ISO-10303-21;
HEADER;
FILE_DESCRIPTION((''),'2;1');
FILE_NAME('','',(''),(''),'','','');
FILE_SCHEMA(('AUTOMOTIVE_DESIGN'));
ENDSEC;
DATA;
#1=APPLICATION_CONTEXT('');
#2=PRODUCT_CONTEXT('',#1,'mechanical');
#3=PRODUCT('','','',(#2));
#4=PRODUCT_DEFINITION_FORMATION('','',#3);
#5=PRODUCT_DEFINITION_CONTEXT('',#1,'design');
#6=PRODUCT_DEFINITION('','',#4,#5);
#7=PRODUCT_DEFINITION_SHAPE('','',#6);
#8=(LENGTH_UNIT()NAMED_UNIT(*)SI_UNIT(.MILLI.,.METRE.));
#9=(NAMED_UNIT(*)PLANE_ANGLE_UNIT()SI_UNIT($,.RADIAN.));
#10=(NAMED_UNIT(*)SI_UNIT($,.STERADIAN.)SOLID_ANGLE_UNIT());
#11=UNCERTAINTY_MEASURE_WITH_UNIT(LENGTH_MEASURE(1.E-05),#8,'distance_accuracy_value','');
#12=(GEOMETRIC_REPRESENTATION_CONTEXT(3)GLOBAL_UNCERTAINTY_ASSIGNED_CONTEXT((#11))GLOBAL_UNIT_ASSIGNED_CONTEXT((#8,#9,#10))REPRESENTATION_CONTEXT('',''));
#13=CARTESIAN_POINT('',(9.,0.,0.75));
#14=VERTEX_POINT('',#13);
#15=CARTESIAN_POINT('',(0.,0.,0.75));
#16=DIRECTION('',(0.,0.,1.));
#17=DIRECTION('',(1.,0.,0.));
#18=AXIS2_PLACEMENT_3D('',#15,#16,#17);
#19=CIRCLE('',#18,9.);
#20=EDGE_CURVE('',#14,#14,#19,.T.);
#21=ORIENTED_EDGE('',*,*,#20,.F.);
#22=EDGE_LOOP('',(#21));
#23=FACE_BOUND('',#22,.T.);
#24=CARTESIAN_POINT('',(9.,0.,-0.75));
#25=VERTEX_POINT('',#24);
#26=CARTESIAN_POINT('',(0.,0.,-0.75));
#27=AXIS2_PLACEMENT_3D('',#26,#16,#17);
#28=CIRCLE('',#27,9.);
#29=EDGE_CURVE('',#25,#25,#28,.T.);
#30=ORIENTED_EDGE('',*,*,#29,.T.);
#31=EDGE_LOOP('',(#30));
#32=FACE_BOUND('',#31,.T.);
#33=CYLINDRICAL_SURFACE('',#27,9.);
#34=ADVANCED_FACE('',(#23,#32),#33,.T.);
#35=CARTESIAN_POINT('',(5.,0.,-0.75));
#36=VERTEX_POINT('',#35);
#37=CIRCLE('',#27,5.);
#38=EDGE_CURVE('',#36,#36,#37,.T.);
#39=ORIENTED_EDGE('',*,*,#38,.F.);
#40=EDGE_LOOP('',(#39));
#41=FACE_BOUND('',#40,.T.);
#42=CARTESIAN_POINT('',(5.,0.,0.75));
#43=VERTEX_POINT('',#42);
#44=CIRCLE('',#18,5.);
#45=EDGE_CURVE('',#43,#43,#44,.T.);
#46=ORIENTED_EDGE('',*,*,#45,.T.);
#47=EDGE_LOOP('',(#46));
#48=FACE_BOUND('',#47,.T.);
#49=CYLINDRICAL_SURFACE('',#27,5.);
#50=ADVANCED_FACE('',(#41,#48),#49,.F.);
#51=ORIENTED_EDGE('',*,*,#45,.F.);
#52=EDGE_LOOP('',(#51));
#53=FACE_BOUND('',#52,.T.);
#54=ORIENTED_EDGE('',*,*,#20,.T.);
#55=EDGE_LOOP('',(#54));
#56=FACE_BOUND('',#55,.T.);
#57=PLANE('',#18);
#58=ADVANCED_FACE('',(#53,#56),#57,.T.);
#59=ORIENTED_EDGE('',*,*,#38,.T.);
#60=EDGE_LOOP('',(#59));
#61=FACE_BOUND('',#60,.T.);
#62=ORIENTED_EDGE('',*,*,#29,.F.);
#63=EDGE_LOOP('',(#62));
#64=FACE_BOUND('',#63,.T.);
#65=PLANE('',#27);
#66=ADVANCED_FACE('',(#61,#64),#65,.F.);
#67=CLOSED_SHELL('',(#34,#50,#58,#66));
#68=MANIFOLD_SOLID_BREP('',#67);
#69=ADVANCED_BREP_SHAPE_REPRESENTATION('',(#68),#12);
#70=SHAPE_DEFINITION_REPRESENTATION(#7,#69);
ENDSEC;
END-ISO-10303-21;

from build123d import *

# Parameters (mm, degrees)
SKETCH5_R                = 9
SKETCH5_R_2              = 5
BOSS_EXTRUDE1_DEPTH      = 0.75
BOSS_EXTRUDE1_DEPTH_BACK = 0.75


with BuildPart() as part:
    # Sketch5 → Boss-Extrude1 (new body, two sides)
    with BuildSketch(Plane.XY) as boss_extrude1_sk:
        Circle(SKETCH5_R)
        Circle(SKETCH5_R_2, mode=Mode.SUBTRACT)
    extrude(amount=BOSS_EXTRUDE1_DEPTH)
    extrude(boss_extrude1_sk.sketch, amount=-BOSS_EXTRUDE1_DEPTH_BACK)


solid = part.part
